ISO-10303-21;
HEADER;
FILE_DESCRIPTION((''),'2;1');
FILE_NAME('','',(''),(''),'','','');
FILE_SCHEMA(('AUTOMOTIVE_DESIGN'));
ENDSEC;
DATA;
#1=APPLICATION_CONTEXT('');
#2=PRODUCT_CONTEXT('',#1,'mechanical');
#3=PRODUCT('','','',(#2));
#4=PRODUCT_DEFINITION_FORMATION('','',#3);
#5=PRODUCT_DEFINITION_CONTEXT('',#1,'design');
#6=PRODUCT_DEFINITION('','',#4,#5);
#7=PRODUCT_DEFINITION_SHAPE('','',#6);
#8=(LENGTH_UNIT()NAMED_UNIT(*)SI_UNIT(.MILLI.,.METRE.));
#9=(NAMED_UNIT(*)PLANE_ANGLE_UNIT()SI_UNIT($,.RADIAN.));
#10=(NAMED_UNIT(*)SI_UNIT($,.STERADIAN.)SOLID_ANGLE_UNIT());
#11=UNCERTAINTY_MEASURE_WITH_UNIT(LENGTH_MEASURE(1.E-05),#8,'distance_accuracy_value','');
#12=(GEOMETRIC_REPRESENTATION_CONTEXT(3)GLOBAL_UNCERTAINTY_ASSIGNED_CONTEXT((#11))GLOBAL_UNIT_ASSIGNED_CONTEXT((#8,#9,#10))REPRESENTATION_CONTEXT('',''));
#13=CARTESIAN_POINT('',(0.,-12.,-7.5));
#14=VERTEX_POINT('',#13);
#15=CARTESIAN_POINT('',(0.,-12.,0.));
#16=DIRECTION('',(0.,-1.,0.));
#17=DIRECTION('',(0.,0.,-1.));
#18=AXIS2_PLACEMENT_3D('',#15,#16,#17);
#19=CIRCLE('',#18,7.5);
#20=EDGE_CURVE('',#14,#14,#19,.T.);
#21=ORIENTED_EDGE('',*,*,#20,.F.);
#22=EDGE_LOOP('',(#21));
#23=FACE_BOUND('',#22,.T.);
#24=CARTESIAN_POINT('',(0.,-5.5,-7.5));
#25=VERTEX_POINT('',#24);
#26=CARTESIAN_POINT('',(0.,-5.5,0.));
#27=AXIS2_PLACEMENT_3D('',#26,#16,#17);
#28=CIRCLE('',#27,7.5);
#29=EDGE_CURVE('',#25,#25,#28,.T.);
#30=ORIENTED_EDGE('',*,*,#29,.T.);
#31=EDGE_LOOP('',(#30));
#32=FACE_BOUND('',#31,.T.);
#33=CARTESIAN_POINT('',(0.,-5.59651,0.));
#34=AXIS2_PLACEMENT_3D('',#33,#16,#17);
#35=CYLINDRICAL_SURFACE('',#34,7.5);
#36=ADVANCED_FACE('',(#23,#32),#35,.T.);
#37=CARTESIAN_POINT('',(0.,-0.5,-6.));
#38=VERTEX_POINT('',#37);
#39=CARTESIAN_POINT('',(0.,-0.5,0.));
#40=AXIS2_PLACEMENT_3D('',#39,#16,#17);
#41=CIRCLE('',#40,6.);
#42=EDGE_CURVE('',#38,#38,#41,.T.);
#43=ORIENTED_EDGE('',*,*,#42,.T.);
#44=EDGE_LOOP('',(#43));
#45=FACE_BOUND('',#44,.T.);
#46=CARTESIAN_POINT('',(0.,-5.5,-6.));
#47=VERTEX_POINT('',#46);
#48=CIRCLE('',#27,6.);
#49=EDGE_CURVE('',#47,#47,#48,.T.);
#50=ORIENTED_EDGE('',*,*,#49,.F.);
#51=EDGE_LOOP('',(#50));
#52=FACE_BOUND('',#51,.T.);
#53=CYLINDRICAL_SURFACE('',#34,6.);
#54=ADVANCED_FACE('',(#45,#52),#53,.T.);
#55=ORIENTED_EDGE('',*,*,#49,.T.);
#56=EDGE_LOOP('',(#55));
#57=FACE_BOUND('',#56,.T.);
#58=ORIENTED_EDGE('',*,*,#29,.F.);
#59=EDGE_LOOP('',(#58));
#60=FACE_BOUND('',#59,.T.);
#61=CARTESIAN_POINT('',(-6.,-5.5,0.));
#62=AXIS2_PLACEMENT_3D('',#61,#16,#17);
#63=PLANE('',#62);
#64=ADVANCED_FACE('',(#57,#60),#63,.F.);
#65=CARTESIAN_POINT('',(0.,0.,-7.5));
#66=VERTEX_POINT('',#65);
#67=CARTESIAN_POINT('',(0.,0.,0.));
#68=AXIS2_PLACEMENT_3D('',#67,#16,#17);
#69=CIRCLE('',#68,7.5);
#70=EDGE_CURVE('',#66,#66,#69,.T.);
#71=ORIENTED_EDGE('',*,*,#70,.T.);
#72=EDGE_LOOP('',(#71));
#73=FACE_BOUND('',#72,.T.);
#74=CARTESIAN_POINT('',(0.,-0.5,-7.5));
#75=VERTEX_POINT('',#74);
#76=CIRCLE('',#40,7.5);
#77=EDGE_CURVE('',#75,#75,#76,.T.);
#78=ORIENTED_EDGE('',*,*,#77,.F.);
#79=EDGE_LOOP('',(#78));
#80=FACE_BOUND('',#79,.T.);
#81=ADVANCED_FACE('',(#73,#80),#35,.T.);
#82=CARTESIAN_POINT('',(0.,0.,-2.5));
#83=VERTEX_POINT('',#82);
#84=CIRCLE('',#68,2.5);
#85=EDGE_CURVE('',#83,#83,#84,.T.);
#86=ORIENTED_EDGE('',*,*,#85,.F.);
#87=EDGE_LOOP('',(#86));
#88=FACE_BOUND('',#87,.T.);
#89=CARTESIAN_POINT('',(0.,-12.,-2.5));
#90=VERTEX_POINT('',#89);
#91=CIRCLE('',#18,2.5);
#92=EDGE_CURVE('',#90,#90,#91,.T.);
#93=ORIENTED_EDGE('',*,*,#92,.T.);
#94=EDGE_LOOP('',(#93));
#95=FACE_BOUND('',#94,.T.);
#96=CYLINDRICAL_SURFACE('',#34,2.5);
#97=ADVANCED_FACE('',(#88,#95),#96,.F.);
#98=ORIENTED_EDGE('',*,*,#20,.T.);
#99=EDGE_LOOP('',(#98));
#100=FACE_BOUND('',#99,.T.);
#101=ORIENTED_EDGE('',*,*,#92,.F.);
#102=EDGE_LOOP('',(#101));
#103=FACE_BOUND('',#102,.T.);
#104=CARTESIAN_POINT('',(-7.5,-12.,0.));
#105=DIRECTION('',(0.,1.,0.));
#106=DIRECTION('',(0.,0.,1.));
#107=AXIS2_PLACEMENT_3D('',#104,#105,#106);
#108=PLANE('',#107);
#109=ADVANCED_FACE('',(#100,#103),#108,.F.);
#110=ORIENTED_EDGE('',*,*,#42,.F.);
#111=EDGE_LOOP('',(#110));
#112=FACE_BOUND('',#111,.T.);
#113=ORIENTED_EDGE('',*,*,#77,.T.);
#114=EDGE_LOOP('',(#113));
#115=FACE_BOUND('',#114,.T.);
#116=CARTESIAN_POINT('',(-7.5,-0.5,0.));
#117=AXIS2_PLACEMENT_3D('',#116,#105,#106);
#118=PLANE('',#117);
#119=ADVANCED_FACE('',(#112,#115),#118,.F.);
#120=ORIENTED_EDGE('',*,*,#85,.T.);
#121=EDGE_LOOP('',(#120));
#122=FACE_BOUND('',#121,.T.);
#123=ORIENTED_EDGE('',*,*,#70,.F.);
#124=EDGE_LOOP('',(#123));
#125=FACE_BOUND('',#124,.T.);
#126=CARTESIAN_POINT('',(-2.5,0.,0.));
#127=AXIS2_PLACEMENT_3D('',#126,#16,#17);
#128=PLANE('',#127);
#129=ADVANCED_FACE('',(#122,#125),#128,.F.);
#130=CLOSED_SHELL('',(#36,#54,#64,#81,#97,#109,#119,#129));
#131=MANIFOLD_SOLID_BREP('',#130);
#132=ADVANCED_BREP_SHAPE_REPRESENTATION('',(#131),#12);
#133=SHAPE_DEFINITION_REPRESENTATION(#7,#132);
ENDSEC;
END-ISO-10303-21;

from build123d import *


with BuildPart() as part:
    # Sketch1 → Revolve1 (revolve)
    with BuildSketch(Plane.XY):
        Polygon((-2.5, -12), (-2.5, 0), (-7.5, 0), (-7.5, -0.5), (-6, -0.5), (-6, -5.5), (-7.5, -5.5), (-7.5, -12), align=None)
    revolve(axis=Axis((0, -5.596510299, 0), (0, 1, 0)))


solid = part.part
